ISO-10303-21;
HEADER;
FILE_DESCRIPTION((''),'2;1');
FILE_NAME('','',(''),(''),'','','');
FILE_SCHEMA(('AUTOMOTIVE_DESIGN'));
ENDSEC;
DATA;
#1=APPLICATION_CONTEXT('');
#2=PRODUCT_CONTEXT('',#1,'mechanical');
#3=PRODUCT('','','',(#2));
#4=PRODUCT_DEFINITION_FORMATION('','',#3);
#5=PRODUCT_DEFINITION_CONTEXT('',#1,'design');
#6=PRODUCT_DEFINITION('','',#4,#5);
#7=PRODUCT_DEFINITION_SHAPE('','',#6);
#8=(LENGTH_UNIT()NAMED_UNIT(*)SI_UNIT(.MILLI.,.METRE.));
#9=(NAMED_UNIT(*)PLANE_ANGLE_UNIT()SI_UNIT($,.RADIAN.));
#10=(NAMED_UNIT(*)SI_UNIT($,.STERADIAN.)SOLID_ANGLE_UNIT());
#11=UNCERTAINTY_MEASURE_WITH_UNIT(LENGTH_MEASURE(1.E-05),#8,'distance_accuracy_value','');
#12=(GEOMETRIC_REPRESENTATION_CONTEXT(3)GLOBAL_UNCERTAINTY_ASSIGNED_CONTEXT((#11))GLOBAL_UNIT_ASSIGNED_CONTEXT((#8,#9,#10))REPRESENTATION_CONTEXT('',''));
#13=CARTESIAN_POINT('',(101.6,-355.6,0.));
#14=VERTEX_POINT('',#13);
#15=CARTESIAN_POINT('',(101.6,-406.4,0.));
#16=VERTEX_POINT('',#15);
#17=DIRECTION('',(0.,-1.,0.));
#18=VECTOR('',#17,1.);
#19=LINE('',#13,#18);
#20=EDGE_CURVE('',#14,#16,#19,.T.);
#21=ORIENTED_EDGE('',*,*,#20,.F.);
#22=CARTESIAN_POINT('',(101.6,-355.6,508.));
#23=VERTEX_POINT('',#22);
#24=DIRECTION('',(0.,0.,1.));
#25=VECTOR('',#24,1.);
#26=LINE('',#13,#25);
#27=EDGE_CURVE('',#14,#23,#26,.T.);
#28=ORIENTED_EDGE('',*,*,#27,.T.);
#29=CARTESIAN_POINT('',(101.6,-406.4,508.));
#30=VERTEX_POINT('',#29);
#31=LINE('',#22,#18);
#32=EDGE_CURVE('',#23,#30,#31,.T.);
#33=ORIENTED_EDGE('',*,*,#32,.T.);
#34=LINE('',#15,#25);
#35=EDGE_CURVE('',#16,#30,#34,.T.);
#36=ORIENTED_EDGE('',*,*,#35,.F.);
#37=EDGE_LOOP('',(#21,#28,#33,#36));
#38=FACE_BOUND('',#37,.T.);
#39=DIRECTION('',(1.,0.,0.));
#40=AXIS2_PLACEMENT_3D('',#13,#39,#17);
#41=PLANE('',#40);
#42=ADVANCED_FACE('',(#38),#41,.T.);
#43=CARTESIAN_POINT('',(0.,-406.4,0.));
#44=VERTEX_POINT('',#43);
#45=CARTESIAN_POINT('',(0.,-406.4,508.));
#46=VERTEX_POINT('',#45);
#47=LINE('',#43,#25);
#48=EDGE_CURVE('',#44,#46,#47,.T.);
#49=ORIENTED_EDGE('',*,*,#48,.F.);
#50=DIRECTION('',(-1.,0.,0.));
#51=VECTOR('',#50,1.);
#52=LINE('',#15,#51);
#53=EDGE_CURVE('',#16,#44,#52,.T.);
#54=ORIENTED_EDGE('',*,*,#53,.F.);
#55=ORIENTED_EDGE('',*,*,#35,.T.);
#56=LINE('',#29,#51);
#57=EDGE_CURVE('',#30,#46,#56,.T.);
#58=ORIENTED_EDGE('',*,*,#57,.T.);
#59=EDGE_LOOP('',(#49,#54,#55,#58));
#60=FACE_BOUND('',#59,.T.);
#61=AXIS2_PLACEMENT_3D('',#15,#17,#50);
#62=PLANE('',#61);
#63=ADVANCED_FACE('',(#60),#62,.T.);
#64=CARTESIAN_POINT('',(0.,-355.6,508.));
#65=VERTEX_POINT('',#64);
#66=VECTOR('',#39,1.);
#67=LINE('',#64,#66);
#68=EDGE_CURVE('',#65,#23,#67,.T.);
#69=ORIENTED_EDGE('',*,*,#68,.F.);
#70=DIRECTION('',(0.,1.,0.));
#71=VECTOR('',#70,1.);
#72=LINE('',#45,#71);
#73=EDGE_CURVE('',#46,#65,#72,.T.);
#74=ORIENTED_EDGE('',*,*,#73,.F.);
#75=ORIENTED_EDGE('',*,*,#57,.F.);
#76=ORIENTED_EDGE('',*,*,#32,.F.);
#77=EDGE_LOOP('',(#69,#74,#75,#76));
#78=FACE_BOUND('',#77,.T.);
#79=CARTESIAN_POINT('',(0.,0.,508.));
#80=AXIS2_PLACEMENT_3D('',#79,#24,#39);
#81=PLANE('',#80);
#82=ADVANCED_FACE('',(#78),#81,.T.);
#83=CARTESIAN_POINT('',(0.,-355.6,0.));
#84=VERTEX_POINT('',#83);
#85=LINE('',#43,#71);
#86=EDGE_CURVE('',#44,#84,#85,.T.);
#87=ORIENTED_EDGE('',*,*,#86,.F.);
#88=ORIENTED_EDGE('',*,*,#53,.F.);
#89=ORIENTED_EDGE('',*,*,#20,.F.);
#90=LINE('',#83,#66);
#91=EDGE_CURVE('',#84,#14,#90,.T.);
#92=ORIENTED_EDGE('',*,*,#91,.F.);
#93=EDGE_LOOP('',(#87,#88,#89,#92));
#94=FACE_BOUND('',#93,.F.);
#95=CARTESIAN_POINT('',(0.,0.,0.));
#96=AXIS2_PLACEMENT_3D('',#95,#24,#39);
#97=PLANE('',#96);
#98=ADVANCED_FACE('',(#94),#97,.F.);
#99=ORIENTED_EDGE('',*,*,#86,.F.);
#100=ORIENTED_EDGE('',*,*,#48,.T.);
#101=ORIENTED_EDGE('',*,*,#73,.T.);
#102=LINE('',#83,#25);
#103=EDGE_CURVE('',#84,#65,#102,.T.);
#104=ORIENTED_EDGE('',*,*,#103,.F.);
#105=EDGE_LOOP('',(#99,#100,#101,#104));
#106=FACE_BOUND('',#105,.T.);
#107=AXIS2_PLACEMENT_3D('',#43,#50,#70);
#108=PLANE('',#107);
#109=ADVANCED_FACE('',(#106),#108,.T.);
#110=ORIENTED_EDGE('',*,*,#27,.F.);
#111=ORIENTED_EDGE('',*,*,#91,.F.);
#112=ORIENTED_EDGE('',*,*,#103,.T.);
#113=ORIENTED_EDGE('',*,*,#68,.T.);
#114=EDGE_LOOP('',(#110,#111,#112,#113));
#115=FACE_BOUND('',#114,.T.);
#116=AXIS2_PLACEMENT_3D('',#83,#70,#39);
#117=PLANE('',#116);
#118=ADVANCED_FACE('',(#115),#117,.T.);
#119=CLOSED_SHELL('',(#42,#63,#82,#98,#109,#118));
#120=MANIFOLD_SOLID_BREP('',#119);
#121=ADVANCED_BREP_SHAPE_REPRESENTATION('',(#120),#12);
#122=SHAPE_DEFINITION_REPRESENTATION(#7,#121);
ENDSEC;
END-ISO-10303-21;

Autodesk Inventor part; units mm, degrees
ref_plane "YZ Plane" through (0, 0, 0) normal (1, 0, 0) x (0, 1, 0)
ref_plane "XZ Plane" through (0, 0, 0) normal (0, 1, 0) x (-1, 0, 0)
ref_plane "XY Plane" through (0, 0, 0) normal (0, 0, 1) x (1, 0, 0)
ref_plane "Work Plane1" through (0, 0, 0) normal (0, 0, 1) x (1, 0, 0)
sketch "Sketch1" plane through (0, 0, 0) normal (0, 0, 1) x (1, 0, 0)
  line L0 (101.6, -406.4) -> (0, -406.4)
  line L1 (0, -406.4) -> (0, -355.6)
  line L2 (0, -355.6) -> (101.6, -355.6)
  line L3 (101.6, -355.6) -> (101.6, -406.4)
  point P0 (0, 0)
  dimension "d0" = 50.8
extrude "Extrusion1" add sketch "Sketch1" along normal blind 508
properties part number "2x4x20"
